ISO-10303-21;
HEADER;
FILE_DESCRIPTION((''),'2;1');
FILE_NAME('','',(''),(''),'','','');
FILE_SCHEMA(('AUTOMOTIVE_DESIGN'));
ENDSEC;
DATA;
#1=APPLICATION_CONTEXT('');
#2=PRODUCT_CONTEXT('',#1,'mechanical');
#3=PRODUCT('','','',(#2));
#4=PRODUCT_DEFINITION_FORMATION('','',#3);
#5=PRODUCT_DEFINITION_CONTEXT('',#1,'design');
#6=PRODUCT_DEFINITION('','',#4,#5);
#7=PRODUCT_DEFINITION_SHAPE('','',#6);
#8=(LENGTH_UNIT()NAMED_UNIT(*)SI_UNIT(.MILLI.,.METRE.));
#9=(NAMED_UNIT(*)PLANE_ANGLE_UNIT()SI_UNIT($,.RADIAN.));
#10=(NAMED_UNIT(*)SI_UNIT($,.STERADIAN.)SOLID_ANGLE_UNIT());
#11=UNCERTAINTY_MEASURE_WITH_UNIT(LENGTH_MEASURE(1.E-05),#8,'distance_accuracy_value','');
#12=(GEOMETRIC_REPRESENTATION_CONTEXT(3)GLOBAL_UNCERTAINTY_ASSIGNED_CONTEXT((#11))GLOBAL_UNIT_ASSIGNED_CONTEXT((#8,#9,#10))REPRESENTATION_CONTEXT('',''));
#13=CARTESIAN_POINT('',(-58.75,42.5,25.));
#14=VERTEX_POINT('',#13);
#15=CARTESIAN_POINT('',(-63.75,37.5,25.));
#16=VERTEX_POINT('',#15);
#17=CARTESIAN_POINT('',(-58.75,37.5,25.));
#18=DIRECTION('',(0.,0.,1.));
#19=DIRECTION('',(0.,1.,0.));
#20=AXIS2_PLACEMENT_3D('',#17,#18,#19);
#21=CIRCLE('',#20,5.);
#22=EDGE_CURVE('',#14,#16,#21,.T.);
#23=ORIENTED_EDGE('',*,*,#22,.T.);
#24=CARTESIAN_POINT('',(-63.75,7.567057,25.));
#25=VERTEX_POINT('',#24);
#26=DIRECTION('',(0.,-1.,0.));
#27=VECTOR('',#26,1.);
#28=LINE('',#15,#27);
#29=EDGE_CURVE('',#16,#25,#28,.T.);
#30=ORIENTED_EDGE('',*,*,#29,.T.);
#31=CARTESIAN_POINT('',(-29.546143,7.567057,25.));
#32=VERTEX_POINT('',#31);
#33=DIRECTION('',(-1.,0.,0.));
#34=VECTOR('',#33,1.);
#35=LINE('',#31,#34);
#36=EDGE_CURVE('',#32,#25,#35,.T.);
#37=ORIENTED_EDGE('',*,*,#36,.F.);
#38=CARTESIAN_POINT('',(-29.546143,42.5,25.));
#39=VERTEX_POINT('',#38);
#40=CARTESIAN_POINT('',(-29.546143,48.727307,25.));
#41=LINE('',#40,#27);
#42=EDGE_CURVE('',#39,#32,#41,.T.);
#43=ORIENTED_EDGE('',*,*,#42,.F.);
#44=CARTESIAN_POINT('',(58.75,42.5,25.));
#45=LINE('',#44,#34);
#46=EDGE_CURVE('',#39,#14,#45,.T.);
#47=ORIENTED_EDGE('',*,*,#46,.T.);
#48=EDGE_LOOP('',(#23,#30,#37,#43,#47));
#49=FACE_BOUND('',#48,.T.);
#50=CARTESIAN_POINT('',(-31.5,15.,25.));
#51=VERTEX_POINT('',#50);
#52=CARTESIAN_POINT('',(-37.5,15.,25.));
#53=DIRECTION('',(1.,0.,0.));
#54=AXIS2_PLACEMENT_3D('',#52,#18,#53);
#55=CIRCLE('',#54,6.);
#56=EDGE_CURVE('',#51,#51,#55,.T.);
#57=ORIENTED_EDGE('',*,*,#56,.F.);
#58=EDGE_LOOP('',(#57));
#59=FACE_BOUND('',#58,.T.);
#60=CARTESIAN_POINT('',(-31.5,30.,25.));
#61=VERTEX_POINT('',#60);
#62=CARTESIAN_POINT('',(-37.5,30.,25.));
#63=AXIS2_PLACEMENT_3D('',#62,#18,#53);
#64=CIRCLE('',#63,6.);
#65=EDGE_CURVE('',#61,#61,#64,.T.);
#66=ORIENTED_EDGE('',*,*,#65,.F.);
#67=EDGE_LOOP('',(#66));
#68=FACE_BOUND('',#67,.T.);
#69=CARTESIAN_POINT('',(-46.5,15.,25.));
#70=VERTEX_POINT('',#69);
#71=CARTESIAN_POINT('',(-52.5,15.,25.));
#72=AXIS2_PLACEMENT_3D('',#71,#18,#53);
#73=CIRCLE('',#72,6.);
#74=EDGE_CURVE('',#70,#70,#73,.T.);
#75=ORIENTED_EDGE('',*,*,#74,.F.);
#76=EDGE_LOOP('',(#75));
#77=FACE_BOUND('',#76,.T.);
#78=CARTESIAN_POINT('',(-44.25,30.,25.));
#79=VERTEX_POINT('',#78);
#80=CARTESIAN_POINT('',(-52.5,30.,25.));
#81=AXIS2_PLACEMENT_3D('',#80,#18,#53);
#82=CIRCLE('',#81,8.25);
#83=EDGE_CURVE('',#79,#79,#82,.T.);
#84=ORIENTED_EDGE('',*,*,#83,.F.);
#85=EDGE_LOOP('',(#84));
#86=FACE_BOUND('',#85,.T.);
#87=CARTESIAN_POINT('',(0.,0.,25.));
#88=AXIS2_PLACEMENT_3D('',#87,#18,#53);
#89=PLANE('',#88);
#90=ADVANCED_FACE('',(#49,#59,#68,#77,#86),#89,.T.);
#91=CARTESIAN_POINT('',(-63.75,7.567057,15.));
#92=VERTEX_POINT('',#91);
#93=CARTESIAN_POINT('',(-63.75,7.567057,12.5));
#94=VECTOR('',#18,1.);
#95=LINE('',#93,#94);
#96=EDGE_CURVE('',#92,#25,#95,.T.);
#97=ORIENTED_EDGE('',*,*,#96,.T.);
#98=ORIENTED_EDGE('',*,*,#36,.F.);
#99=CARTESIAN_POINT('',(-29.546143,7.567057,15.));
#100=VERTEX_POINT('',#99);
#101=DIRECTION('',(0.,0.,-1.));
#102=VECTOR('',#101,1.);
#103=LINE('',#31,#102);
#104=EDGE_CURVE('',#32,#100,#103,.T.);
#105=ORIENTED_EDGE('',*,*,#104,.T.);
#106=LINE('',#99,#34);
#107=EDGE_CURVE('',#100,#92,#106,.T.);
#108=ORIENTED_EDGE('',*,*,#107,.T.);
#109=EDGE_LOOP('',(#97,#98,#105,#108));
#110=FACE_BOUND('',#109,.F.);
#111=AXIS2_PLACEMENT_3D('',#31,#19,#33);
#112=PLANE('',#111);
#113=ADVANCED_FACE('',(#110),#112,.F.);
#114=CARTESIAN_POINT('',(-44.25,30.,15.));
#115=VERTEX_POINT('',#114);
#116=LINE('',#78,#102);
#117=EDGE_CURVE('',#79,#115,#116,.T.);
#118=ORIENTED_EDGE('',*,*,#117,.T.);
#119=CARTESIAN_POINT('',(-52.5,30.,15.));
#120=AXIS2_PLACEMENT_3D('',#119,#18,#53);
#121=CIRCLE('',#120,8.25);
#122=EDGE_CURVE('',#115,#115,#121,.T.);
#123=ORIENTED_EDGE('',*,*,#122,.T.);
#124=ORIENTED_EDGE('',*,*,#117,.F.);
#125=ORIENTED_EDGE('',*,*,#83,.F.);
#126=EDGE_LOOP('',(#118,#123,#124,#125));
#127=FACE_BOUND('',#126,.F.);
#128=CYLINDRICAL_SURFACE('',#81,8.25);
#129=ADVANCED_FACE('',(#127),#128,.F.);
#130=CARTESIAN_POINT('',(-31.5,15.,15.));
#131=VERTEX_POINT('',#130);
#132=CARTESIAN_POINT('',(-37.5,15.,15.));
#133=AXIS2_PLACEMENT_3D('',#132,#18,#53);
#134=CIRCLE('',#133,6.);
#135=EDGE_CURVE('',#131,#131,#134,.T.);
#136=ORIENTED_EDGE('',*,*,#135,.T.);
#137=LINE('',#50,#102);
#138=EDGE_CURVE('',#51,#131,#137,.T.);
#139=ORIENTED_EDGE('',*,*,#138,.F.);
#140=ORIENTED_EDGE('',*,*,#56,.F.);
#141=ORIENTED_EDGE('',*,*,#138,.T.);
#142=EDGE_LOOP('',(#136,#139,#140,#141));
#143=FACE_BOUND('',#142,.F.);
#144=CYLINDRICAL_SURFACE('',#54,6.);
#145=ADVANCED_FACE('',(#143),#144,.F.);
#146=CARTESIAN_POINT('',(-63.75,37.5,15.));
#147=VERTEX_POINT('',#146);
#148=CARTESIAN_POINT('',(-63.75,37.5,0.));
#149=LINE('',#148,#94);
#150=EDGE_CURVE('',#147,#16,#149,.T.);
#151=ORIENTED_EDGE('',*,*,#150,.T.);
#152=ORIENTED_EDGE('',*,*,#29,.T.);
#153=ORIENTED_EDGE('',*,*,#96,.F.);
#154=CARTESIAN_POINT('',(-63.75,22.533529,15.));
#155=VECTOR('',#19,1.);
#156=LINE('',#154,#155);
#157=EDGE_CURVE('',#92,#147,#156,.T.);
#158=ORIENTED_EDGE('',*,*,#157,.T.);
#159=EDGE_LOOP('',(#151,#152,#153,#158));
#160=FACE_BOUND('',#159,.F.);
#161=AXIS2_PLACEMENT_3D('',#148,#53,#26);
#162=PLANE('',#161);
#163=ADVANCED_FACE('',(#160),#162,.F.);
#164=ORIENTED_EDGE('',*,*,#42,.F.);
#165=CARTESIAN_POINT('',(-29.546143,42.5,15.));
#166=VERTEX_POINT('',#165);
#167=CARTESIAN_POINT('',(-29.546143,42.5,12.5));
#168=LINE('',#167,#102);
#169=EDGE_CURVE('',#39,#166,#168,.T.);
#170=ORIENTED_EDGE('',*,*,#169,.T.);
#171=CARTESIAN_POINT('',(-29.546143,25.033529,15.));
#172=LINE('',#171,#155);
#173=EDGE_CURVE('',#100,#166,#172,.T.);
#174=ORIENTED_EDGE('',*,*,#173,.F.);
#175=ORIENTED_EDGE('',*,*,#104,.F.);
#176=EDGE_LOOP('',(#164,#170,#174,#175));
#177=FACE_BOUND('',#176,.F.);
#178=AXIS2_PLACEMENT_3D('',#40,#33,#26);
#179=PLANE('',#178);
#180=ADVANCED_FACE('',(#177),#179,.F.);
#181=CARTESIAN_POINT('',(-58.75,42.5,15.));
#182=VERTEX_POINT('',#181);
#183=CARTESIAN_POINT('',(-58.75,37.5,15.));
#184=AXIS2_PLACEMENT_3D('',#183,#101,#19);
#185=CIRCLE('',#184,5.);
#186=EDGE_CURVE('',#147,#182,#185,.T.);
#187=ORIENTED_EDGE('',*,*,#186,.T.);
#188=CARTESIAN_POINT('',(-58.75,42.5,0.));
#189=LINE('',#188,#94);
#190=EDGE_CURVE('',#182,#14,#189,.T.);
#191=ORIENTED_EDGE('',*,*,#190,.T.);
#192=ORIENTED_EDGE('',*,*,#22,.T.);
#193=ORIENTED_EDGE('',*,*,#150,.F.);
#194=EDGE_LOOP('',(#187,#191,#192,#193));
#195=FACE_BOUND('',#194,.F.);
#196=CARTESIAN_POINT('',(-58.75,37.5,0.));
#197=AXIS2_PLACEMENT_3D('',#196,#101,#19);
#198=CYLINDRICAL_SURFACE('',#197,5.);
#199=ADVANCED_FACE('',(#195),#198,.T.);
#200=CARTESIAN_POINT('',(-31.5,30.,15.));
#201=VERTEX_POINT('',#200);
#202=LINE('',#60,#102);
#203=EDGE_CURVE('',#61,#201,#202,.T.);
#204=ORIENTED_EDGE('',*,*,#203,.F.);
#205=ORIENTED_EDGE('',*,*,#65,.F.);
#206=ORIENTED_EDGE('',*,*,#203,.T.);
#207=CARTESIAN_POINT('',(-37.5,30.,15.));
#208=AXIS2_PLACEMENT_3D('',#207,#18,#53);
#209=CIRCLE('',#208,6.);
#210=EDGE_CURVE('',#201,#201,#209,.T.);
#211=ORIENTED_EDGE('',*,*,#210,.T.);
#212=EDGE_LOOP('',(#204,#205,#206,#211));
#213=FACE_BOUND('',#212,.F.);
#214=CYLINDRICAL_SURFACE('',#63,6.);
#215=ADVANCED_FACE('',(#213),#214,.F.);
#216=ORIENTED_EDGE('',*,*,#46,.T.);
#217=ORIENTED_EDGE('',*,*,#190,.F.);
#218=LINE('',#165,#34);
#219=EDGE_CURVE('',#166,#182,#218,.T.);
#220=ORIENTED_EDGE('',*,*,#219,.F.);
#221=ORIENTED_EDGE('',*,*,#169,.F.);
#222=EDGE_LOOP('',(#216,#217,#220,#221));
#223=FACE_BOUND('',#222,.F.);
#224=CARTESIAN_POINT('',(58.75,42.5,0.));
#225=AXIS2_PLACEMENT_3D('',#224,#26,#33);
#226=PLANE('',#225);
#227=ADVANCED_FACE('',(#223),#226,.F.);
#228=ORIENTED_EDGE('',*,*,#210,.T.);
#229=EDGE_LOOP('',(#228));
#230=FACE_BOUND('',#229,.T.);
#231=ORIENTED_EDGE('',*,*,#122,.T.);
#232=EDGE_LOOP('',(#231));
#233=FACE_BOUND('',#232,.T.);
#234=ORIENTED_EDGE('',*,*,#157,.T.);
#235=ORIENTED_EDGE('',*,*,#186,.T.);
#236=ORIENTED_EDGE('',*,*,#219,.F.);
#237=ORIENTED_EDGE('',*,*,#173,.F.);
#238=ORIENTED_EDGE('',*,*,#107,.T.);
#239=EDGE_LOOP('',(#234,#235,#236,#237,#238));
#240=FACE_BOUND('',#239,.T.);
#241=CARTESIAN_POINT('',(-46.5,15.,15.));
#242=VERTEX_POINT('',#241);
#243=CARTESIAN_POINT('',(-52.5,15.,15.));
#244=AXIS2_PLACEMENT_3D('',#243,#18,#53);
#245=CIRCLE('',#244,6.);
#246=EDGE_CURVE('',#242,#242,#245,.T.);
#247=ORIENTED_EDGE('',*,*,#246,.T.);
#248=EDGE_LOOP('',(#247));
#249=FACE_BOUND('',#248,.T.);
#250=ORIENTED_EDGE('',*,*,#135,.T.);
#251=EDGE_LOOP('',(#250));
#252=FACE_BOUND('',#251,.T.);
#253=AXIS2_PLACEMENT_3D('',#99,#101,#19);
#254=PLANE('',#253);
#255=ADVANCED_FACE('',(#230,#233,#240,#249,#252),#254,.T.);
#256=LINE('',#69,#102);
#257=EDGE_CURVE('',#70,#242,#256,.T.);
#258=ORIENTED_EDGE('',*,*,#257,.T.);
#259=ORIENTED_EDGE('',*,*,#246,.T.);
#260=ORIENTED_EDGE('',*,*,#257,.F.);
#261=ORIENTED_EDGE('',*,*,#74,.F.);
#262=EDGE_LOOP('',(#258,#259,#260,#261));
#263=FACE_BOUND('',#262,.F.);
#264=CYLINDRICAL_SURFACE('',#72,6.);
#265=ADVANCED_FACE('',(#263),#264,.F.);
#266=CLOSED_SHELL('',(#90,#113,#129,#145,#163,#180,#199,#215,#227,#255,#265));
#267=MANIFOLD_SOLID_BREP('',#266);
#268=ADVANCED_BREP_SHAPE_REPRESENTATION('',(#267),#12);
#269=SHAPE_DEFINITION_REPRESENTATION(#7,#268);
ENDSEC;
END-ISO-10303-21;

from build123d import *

# Parameters (mm, degrees)
F1_DEPTH = 25
F2_R     = 6
F2_R_2   = 8.25
F2_R_3   = 8
F3_DEPTH = 20
F5_DEPTH = 25.001
F6_W     = 34.932942614
F6_H     = 15
F7_DEPTH = 34.2048565129


with BuildPart() as f1:
    # F0 (on Top) → F1 (new body)
    with BuildSketch(Plane.XY):
        with BuildLine():
            Line((-58.75, -42.5), (58.75, -42.5))
            ThreePointArc((58.75, -42.5), (62.2855339059, -41.0355339059), (63.75, -37.5))
            Line((63.75, -37.5), (63.75, 37.5))
            ThreePointArc((63.75, 37.5), (62.2855339059, 41.0355339059), (58.75, 42.5))
            Line((58.75, 42.5), (-58.75, 42.5))
            ThreePointArc((-58.75, 42.5), (-62.2855339059, 41.0355339059), (-63.75, 37.5))
            Line((-63.75, 37.5), (-63.75, -37.5))
            ThreePointArc((-63.75, -37.5), (-62.2855339059, -41.0355339059), (-58.75, -42.5))
        make_face()
    extrude(amount=F1_DEPTH)

    # F2 (on face) → F3 (cut)
    with BuildSketch(Plane.XY.offset(25)):
        with Locations((-52.5, 15)):
            Circle(F2_R)
        with Locations((-52.5, 0)):
            Circle(F2_R)
        with Locations((-52.5, -15)):
            Circle(F2_R)
        with Locations((-37.5, 30)):
            Circle(F2_R)
        with Locations((-37.5, 15)):
            Circle(F2_R)
        with Locations((-37.5, 0)):
            Circle(F2_R)
        with Locations((-37.5, -15)):
            Circle(F2_R)
        with Locations((-37.5, -30)):
            Circle(F2_R)
        with Locations((-22.5, 30)):
            Circle(F2_R)
        with Locations((-22.5, 15)):
            Circle(F2_R)
        with Locations((-22.5, 0)):
            Circle(F2_R)
        with Locations((-22.5, -15)):
            Circle(F2_R)
        with Locations((-22.5, -30)):
            Circle(F2_R)
        with Locations((-7.5, 30)):
            Circle(F2_R)
        with Locations((-7.5, 15)):
            Circle(F2_R)
        with Locations((-7.5, 0)):
            Circle(F2_R)
        with Locations((-7.5, -15)):
            Circle(F2_R)
        with Locations((-7.5, -30)):
            Circle(F2_R)
        with Locations((7.5, 30)):
            Circle(F2_R)
        with Locations((7.5, 15)):
            Circle(F2_R)
        with Locations((7.5, 0)):
            Circle(F2_R)
        with Locations((7.5, -15)):
            Circle(F2_R)
        with Locations((7.5, -30)):
            Circle(F2_R)
        with Locations((22.5, 30)):
            Circle(F2_R)
        with Locations((22.5, 15)):
            Circle(F2_R)
        with Locations((22.5, 0)):
            Circle(F2_R)
        with Locations((22.5, -15)):
            Circle(F2_R)
        with Locations((22.5, -30)):
            Circle(F2_R)
        with Locations((37.5, 30)):
            Circle(F2_R)
        with Locations((37.5, 15)):
            Circle(F2_R)
        with Locations((37.5, 0)):
            Circle(F2_R)
        with Locations((37.5, -15)):
            Circle(F2_R)
        with Locations((37.5, -30)):
            Circle(F2_R)
        with Locations((52.5, 15)):
            Circle(F2_R)
        with Locations((52.5, 0)):
            Circle(F2_R)
        with Locations((52.5, -15)):
            Circle(F2_R)
        with Locations((-52.5, 30)):
            Circle(F2_R_2)
        with Locations((-52.5, -30)):
            Circle(F2_R_3)
        with Locations((52.5, 30)):
            Circle(F2_R_3)
        with Locations((52.5, -30)):
            Circle(F2_R_3)
    extrude(amount=-F3_DEPTH, mode=Mode.SUBTRACT)

    # F4 (on face) → F5 (cut, through all)
    with BuildSketch(Plane.XY.offset(25)):
        Polygon((69.5764049888, -59.449698776), (69.5764049888, 48.7273074687), (-29.5461434871, 48.7273074687), (-29.5461434871, 7.567057386), (-74.2632374167, 7.567057386), (-74.2632374167, 4.9460288137), (-74.2632374167, -59.449698776), align=None)
    extrude(amount=-F5_DEPTH, mode=Mode.SUBTRACT)

    # F6 (on face) → F7 (cut, through all)
    with BuildSketch(Plane.YZ.offset(-29.5461434871)):
        with Locations((25.033528693, 7.5)):
            Rectangle(F6_W, F6_H)
    extrude(amount=-F7_DEPTH, mode=Mode.SUBTRACT)


solid = f1.part
